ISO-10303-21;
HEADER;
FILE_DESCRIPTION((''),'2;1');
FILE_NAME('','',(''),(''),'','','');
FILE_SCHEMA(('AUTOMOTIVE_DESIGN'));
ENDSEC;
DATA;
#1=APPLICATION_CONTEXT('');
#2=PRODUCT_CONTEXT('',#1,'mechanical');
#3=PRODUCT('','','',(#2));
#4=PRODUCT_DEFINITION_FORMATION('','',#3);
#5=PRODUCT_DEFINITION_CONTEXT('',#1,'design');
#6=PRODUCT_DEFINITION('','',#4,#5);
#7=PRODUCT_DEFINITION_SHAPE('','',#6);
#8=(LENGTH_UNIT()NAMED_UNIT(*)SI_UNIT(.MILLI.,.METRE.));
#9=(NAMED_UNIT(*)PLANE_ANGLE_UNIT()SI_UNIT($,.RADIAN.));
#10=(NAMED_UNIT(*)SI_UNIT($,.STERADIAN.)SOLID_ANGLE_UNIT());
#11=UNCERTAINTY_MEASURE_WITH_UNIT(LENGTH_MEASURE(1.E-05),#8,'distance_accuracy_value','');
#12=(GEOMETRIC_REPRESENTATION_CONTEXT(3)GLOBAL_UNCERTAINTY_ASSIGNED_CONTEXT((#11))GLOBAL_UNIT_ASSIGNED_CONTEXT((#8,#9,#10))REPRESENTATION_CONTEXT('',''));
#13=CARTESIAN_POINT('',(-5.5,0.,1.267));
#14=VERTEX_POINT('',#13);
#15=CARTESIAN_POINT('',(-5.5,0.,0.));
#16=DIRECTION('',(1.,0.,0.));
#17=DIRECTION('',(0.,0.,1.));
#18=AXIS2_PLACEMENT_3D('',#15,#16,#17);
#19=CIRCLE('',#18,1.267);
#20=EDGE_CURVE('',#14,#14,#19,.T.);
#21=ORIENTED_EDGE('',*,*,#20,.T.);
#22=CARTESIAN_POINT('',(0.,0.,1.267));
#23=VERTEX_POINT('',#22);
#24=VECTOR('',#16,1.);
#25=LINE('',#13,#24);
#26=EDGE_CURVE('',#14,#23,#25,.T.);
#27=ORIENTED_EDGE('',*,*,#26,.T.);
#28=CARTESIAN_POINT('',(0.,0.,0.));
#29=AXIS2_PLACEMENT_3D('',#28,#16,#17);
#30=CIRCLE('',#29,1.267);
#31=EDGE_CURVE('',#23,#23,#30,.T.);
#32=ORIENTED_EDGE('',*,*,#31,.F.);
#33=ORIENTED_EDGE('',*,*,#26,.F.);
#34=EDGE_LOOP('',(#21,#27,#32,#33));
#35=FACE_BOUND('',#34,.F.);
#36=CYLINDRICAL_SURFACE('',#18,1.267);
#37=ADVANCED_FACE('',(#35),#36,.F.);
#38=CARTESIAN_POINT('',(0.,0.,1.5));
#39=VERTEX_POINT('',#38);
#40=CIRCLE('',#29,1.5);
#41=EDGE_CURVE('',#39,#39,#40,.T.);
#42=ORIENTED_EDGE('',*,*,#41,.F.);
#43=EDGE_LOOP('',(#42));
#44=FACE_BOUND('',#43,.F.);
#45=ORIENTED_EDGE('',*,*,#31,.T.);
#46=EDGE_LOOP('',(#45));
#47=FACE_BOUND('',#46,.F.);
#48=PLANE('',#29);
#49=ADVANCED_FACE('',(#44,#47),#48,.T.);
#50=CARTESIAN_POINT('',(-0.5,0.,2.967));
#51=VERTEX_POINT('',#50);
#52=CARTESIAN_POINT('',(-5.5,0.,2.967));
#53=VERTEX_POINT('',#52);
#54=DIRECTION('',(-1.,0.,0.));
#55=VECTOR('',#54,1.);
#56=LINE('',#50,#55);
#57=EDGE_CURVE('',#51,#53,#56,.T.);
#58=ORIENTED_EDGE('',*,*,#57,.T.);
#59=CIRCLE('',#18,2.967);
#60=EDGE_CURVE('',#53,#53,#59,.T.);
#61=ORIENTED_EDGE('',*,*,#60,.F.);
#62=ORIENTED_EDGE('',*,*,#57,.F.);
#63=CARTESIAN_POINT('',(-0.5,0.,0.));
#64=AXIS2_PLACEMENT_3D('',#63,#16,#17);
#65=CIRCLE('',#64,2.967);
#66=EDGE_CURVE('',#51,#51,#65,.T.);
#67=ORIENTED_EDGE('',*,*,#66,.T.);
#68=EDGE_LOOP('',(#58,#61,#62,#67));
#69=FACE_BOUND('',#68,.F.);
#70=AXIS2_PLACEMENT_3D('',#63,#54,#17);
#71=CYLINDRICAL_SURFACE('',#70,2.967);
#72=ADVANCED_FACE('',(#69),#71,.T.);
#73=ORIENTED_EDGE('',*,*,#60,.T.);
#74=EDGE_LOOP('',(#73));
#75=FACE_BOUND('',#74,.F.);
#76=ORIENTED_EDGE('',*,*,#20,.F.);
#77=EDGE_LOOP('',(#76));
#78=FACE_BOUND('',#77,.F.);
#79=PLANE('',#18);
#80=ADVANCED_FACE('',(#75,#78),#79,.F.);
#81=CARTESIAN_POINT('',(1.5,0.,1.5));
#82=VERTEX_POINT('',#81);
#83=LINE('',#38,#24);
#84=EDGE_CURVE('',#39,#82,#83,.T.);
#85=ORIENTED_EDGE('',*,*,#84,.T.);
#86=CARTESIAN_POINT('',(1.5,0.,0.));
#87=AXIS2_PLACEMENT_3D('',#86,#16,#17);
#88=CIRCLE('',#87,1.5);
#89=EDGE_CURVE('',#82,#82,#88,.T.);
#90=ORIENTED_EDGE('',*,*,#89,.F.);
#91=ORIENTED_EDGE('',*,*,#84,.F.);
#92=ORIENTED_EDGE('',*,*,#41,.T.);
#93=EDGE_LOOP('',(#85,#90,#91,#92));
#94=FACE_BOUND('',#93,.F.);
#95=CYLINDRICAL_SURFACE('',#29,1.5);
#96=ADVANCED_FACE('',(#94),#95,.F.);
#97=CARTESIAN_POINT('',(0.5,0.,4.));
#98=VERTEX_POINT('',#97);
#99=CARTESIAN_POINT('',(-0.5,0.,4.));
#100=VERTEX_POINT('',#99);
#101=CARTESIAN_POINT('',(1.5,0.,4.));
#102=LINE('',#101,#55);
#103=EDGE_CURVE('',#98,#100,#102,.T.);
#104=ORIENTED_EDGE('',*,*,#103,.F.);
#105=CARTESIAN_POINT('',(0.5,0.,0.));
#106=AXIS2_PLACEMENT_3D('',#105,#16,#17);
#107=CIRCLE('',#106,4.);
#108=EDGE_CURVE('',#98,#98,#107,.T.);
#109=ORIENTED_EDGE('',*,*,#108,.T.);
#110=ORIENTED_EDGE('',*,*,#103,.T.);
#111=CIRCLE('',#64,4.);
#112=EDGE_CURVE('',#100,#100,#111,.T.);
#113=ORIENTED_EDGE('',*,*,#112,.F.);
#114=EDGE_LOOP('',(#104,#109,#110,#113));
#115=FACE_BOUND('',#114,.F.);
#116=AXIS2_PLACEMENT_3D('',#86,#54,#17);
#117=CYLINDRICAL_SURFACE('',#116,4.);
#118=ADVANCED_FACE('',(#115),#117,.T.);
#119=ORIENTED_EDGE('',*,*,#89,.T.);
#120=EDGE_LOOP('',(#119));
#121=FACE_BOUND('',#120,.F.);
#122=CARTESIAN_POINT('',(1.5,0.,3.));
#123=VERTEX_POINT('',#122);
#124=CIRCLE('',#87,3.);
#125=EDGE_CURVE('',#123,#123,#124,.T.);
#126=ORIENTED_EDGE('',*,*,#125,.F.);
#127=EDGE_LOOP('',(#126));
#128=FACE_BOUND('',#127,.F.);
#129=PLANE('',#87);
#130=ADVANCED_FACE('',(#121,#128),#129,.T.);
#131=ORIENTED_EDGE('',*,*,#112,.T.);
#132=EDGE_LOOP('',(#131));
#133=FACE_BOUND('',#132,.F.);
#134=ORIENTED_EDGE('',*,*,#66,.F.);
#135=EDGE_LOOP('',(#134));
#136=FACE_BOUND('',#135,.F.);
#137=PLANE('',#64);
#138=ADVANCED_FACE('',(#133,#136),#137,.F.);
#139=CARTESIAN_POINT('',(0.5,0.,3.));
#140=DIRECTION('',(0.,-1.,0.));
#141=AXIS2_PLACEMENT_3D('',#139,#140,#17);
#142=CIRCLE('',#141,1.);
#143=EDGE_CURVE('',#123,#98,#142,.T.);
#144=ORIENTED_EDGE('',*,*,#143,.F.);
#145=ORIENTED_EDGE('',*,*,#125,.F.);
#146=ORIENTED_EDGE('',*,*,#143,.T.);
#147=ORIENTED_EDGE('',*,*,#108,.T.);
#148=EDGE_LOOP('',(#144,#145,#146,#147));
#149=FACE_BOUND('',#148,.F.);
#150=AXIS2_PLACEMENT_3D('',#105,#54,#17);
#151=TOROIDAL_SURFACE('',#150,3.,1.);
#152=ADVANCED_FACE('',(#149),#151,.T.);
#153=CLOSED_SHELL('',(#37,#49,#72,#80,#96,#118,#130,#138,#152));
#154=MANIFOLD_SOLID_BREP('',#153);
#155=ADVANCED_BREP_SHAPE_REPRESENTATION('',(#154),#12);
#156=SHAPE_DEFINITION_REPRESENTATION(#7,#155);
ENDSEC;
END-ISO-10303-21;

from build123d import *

# Parameters (mm, degrees)
F2_R = 1


with BuildPart() as f1:
    # F0 (on Front) → F1 (revolve)
    with BuildSketch(Plane.XZ):
        Polygon((0, 1.267), (0, 1.5), (1.5, 1.5), (1.5, 4), (-0.5, 4), (-0.5, 2.967), (-5.5, 2.967), (-5.5, 1.267), align=None)
    revolve(axis=Axis((4.186566, 0, 0), (1, 0, 0)))

    # F2
    f2_edges = [f1.edges().sort_by_distance(p)[0] for p in [
        (1.5, 0, -4),
    ]]
    fillet(f2_edges, radius=F2_R)


solid = f1.part
